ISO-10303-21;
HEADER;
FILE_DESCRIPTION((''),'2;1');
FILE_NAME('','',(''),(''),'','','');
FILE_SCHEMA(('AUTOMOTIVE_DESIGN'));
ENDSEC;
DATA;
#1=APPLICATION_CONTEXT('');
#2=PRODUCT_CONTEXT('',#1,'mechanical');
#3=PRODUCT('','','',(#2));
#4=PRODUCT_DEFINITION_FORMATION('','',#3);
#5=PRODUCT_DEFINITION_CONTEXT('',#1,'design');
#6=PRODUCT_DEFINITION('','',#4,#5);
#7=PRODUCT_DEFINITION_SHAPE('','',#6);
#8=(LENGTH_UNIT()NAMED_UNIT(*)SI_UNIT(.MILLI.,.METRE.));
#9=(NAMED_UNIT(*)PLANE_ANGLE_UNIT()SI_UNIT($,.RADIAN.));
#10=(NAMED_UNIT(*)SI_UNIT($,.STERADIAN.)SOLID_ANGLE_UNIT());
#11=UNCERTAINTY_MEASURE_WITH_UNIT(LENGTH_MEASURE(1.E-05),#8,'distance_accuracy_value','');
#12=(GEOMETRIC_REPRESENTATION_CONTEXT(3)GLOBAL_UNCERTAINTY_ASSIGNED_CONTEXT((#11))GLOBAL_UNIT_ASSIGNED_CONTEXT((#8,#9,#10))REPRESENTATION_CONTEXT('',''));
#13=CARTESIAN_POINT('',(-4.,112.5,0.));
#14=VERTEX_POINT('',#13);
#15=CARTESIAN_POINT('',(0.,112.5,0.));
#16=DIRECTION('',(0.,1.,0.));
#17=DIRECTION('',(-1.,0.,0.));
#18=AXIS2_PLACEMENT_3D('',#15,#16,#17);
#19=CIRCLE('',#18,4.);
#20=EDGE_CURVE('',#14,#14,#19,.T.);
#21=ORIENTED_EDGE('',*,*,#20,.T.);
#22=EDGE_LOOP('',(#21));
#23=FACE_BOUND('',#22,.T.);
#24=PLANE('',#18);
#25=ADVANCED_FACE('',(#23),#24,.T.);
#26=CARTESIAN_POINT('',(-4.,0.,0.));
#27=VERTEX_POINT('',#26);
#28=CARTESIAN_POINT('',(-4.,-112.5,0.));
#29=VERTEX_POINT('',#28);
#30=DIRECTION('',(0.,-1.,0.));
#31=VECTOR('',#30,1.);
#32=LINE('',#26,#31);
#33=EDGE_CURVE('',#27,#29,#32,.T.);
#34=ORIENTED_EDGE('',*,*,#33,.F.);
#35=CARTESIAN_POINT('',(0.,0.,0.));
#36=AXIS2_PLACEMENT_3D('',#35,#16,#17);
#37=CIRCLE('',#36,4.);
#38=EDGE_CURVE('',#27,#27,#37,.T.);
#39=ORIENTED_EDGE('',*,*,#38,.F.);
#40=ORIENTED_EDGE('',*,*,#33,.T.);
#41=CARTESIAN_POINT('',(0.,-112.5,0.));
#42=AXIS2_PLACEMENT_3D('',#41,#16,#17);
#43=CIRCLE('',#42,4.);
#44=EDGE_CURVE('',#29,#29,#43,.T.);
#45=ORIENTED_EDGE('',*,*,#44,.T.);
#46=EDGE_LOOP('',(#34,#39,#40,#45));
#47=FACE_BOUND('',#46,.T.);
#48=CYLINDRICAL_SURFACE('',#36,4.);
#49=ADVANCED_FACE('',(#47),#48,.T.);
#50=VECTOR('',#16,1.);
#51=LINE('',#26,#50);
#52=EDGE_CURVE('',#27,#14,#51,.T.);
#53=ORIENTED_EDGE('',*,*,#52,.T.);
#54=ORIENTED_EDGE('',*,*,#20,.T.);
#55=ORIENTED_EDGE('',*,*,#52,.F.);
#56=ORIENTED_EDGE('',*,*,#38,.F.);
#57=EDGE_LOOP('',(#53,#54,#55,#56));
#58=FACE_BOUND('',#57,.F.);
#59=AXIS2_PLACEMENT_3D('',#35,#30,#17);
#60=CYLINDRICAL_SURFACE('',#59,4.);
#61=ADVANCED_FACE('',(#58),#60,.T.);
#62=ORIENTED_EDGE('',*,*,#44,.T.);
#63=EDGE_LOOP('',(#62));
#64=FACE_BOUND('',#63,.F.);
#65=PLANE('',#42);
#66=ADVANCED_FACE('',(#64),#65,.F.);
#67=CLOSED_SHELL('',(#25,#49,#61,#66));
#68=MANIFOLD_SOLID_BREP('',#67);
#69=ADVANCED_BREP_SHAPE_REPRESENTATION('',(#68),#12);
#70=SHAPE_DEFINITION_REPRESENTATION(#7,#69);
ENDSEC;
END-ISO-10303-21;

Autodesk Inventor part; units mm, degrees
ref_plane "YZ Plane" through (0, 0, 0) normal (1, 0, 0) x (0, 1, 0)
ref_plane "XZ Plane" through (0, 0, 0) normal (0, 1, 0) x (-1, 0, 0)
ref_plane "XY Plane" through (0, 0, 0) normal (0, 0, 1) x (1, 0, 0)
sketch "Sketch1" plane through (0, 0, 0) normal (0, 1, 0) x (-1, 0, 0)
  circle A0 centre (0, 0) radius 4
  dimension "d0" = 8
extrude "Extrusion1" add sketch "Sketch1" along normal mid plane 225
properties part number "eje8x225mm"
